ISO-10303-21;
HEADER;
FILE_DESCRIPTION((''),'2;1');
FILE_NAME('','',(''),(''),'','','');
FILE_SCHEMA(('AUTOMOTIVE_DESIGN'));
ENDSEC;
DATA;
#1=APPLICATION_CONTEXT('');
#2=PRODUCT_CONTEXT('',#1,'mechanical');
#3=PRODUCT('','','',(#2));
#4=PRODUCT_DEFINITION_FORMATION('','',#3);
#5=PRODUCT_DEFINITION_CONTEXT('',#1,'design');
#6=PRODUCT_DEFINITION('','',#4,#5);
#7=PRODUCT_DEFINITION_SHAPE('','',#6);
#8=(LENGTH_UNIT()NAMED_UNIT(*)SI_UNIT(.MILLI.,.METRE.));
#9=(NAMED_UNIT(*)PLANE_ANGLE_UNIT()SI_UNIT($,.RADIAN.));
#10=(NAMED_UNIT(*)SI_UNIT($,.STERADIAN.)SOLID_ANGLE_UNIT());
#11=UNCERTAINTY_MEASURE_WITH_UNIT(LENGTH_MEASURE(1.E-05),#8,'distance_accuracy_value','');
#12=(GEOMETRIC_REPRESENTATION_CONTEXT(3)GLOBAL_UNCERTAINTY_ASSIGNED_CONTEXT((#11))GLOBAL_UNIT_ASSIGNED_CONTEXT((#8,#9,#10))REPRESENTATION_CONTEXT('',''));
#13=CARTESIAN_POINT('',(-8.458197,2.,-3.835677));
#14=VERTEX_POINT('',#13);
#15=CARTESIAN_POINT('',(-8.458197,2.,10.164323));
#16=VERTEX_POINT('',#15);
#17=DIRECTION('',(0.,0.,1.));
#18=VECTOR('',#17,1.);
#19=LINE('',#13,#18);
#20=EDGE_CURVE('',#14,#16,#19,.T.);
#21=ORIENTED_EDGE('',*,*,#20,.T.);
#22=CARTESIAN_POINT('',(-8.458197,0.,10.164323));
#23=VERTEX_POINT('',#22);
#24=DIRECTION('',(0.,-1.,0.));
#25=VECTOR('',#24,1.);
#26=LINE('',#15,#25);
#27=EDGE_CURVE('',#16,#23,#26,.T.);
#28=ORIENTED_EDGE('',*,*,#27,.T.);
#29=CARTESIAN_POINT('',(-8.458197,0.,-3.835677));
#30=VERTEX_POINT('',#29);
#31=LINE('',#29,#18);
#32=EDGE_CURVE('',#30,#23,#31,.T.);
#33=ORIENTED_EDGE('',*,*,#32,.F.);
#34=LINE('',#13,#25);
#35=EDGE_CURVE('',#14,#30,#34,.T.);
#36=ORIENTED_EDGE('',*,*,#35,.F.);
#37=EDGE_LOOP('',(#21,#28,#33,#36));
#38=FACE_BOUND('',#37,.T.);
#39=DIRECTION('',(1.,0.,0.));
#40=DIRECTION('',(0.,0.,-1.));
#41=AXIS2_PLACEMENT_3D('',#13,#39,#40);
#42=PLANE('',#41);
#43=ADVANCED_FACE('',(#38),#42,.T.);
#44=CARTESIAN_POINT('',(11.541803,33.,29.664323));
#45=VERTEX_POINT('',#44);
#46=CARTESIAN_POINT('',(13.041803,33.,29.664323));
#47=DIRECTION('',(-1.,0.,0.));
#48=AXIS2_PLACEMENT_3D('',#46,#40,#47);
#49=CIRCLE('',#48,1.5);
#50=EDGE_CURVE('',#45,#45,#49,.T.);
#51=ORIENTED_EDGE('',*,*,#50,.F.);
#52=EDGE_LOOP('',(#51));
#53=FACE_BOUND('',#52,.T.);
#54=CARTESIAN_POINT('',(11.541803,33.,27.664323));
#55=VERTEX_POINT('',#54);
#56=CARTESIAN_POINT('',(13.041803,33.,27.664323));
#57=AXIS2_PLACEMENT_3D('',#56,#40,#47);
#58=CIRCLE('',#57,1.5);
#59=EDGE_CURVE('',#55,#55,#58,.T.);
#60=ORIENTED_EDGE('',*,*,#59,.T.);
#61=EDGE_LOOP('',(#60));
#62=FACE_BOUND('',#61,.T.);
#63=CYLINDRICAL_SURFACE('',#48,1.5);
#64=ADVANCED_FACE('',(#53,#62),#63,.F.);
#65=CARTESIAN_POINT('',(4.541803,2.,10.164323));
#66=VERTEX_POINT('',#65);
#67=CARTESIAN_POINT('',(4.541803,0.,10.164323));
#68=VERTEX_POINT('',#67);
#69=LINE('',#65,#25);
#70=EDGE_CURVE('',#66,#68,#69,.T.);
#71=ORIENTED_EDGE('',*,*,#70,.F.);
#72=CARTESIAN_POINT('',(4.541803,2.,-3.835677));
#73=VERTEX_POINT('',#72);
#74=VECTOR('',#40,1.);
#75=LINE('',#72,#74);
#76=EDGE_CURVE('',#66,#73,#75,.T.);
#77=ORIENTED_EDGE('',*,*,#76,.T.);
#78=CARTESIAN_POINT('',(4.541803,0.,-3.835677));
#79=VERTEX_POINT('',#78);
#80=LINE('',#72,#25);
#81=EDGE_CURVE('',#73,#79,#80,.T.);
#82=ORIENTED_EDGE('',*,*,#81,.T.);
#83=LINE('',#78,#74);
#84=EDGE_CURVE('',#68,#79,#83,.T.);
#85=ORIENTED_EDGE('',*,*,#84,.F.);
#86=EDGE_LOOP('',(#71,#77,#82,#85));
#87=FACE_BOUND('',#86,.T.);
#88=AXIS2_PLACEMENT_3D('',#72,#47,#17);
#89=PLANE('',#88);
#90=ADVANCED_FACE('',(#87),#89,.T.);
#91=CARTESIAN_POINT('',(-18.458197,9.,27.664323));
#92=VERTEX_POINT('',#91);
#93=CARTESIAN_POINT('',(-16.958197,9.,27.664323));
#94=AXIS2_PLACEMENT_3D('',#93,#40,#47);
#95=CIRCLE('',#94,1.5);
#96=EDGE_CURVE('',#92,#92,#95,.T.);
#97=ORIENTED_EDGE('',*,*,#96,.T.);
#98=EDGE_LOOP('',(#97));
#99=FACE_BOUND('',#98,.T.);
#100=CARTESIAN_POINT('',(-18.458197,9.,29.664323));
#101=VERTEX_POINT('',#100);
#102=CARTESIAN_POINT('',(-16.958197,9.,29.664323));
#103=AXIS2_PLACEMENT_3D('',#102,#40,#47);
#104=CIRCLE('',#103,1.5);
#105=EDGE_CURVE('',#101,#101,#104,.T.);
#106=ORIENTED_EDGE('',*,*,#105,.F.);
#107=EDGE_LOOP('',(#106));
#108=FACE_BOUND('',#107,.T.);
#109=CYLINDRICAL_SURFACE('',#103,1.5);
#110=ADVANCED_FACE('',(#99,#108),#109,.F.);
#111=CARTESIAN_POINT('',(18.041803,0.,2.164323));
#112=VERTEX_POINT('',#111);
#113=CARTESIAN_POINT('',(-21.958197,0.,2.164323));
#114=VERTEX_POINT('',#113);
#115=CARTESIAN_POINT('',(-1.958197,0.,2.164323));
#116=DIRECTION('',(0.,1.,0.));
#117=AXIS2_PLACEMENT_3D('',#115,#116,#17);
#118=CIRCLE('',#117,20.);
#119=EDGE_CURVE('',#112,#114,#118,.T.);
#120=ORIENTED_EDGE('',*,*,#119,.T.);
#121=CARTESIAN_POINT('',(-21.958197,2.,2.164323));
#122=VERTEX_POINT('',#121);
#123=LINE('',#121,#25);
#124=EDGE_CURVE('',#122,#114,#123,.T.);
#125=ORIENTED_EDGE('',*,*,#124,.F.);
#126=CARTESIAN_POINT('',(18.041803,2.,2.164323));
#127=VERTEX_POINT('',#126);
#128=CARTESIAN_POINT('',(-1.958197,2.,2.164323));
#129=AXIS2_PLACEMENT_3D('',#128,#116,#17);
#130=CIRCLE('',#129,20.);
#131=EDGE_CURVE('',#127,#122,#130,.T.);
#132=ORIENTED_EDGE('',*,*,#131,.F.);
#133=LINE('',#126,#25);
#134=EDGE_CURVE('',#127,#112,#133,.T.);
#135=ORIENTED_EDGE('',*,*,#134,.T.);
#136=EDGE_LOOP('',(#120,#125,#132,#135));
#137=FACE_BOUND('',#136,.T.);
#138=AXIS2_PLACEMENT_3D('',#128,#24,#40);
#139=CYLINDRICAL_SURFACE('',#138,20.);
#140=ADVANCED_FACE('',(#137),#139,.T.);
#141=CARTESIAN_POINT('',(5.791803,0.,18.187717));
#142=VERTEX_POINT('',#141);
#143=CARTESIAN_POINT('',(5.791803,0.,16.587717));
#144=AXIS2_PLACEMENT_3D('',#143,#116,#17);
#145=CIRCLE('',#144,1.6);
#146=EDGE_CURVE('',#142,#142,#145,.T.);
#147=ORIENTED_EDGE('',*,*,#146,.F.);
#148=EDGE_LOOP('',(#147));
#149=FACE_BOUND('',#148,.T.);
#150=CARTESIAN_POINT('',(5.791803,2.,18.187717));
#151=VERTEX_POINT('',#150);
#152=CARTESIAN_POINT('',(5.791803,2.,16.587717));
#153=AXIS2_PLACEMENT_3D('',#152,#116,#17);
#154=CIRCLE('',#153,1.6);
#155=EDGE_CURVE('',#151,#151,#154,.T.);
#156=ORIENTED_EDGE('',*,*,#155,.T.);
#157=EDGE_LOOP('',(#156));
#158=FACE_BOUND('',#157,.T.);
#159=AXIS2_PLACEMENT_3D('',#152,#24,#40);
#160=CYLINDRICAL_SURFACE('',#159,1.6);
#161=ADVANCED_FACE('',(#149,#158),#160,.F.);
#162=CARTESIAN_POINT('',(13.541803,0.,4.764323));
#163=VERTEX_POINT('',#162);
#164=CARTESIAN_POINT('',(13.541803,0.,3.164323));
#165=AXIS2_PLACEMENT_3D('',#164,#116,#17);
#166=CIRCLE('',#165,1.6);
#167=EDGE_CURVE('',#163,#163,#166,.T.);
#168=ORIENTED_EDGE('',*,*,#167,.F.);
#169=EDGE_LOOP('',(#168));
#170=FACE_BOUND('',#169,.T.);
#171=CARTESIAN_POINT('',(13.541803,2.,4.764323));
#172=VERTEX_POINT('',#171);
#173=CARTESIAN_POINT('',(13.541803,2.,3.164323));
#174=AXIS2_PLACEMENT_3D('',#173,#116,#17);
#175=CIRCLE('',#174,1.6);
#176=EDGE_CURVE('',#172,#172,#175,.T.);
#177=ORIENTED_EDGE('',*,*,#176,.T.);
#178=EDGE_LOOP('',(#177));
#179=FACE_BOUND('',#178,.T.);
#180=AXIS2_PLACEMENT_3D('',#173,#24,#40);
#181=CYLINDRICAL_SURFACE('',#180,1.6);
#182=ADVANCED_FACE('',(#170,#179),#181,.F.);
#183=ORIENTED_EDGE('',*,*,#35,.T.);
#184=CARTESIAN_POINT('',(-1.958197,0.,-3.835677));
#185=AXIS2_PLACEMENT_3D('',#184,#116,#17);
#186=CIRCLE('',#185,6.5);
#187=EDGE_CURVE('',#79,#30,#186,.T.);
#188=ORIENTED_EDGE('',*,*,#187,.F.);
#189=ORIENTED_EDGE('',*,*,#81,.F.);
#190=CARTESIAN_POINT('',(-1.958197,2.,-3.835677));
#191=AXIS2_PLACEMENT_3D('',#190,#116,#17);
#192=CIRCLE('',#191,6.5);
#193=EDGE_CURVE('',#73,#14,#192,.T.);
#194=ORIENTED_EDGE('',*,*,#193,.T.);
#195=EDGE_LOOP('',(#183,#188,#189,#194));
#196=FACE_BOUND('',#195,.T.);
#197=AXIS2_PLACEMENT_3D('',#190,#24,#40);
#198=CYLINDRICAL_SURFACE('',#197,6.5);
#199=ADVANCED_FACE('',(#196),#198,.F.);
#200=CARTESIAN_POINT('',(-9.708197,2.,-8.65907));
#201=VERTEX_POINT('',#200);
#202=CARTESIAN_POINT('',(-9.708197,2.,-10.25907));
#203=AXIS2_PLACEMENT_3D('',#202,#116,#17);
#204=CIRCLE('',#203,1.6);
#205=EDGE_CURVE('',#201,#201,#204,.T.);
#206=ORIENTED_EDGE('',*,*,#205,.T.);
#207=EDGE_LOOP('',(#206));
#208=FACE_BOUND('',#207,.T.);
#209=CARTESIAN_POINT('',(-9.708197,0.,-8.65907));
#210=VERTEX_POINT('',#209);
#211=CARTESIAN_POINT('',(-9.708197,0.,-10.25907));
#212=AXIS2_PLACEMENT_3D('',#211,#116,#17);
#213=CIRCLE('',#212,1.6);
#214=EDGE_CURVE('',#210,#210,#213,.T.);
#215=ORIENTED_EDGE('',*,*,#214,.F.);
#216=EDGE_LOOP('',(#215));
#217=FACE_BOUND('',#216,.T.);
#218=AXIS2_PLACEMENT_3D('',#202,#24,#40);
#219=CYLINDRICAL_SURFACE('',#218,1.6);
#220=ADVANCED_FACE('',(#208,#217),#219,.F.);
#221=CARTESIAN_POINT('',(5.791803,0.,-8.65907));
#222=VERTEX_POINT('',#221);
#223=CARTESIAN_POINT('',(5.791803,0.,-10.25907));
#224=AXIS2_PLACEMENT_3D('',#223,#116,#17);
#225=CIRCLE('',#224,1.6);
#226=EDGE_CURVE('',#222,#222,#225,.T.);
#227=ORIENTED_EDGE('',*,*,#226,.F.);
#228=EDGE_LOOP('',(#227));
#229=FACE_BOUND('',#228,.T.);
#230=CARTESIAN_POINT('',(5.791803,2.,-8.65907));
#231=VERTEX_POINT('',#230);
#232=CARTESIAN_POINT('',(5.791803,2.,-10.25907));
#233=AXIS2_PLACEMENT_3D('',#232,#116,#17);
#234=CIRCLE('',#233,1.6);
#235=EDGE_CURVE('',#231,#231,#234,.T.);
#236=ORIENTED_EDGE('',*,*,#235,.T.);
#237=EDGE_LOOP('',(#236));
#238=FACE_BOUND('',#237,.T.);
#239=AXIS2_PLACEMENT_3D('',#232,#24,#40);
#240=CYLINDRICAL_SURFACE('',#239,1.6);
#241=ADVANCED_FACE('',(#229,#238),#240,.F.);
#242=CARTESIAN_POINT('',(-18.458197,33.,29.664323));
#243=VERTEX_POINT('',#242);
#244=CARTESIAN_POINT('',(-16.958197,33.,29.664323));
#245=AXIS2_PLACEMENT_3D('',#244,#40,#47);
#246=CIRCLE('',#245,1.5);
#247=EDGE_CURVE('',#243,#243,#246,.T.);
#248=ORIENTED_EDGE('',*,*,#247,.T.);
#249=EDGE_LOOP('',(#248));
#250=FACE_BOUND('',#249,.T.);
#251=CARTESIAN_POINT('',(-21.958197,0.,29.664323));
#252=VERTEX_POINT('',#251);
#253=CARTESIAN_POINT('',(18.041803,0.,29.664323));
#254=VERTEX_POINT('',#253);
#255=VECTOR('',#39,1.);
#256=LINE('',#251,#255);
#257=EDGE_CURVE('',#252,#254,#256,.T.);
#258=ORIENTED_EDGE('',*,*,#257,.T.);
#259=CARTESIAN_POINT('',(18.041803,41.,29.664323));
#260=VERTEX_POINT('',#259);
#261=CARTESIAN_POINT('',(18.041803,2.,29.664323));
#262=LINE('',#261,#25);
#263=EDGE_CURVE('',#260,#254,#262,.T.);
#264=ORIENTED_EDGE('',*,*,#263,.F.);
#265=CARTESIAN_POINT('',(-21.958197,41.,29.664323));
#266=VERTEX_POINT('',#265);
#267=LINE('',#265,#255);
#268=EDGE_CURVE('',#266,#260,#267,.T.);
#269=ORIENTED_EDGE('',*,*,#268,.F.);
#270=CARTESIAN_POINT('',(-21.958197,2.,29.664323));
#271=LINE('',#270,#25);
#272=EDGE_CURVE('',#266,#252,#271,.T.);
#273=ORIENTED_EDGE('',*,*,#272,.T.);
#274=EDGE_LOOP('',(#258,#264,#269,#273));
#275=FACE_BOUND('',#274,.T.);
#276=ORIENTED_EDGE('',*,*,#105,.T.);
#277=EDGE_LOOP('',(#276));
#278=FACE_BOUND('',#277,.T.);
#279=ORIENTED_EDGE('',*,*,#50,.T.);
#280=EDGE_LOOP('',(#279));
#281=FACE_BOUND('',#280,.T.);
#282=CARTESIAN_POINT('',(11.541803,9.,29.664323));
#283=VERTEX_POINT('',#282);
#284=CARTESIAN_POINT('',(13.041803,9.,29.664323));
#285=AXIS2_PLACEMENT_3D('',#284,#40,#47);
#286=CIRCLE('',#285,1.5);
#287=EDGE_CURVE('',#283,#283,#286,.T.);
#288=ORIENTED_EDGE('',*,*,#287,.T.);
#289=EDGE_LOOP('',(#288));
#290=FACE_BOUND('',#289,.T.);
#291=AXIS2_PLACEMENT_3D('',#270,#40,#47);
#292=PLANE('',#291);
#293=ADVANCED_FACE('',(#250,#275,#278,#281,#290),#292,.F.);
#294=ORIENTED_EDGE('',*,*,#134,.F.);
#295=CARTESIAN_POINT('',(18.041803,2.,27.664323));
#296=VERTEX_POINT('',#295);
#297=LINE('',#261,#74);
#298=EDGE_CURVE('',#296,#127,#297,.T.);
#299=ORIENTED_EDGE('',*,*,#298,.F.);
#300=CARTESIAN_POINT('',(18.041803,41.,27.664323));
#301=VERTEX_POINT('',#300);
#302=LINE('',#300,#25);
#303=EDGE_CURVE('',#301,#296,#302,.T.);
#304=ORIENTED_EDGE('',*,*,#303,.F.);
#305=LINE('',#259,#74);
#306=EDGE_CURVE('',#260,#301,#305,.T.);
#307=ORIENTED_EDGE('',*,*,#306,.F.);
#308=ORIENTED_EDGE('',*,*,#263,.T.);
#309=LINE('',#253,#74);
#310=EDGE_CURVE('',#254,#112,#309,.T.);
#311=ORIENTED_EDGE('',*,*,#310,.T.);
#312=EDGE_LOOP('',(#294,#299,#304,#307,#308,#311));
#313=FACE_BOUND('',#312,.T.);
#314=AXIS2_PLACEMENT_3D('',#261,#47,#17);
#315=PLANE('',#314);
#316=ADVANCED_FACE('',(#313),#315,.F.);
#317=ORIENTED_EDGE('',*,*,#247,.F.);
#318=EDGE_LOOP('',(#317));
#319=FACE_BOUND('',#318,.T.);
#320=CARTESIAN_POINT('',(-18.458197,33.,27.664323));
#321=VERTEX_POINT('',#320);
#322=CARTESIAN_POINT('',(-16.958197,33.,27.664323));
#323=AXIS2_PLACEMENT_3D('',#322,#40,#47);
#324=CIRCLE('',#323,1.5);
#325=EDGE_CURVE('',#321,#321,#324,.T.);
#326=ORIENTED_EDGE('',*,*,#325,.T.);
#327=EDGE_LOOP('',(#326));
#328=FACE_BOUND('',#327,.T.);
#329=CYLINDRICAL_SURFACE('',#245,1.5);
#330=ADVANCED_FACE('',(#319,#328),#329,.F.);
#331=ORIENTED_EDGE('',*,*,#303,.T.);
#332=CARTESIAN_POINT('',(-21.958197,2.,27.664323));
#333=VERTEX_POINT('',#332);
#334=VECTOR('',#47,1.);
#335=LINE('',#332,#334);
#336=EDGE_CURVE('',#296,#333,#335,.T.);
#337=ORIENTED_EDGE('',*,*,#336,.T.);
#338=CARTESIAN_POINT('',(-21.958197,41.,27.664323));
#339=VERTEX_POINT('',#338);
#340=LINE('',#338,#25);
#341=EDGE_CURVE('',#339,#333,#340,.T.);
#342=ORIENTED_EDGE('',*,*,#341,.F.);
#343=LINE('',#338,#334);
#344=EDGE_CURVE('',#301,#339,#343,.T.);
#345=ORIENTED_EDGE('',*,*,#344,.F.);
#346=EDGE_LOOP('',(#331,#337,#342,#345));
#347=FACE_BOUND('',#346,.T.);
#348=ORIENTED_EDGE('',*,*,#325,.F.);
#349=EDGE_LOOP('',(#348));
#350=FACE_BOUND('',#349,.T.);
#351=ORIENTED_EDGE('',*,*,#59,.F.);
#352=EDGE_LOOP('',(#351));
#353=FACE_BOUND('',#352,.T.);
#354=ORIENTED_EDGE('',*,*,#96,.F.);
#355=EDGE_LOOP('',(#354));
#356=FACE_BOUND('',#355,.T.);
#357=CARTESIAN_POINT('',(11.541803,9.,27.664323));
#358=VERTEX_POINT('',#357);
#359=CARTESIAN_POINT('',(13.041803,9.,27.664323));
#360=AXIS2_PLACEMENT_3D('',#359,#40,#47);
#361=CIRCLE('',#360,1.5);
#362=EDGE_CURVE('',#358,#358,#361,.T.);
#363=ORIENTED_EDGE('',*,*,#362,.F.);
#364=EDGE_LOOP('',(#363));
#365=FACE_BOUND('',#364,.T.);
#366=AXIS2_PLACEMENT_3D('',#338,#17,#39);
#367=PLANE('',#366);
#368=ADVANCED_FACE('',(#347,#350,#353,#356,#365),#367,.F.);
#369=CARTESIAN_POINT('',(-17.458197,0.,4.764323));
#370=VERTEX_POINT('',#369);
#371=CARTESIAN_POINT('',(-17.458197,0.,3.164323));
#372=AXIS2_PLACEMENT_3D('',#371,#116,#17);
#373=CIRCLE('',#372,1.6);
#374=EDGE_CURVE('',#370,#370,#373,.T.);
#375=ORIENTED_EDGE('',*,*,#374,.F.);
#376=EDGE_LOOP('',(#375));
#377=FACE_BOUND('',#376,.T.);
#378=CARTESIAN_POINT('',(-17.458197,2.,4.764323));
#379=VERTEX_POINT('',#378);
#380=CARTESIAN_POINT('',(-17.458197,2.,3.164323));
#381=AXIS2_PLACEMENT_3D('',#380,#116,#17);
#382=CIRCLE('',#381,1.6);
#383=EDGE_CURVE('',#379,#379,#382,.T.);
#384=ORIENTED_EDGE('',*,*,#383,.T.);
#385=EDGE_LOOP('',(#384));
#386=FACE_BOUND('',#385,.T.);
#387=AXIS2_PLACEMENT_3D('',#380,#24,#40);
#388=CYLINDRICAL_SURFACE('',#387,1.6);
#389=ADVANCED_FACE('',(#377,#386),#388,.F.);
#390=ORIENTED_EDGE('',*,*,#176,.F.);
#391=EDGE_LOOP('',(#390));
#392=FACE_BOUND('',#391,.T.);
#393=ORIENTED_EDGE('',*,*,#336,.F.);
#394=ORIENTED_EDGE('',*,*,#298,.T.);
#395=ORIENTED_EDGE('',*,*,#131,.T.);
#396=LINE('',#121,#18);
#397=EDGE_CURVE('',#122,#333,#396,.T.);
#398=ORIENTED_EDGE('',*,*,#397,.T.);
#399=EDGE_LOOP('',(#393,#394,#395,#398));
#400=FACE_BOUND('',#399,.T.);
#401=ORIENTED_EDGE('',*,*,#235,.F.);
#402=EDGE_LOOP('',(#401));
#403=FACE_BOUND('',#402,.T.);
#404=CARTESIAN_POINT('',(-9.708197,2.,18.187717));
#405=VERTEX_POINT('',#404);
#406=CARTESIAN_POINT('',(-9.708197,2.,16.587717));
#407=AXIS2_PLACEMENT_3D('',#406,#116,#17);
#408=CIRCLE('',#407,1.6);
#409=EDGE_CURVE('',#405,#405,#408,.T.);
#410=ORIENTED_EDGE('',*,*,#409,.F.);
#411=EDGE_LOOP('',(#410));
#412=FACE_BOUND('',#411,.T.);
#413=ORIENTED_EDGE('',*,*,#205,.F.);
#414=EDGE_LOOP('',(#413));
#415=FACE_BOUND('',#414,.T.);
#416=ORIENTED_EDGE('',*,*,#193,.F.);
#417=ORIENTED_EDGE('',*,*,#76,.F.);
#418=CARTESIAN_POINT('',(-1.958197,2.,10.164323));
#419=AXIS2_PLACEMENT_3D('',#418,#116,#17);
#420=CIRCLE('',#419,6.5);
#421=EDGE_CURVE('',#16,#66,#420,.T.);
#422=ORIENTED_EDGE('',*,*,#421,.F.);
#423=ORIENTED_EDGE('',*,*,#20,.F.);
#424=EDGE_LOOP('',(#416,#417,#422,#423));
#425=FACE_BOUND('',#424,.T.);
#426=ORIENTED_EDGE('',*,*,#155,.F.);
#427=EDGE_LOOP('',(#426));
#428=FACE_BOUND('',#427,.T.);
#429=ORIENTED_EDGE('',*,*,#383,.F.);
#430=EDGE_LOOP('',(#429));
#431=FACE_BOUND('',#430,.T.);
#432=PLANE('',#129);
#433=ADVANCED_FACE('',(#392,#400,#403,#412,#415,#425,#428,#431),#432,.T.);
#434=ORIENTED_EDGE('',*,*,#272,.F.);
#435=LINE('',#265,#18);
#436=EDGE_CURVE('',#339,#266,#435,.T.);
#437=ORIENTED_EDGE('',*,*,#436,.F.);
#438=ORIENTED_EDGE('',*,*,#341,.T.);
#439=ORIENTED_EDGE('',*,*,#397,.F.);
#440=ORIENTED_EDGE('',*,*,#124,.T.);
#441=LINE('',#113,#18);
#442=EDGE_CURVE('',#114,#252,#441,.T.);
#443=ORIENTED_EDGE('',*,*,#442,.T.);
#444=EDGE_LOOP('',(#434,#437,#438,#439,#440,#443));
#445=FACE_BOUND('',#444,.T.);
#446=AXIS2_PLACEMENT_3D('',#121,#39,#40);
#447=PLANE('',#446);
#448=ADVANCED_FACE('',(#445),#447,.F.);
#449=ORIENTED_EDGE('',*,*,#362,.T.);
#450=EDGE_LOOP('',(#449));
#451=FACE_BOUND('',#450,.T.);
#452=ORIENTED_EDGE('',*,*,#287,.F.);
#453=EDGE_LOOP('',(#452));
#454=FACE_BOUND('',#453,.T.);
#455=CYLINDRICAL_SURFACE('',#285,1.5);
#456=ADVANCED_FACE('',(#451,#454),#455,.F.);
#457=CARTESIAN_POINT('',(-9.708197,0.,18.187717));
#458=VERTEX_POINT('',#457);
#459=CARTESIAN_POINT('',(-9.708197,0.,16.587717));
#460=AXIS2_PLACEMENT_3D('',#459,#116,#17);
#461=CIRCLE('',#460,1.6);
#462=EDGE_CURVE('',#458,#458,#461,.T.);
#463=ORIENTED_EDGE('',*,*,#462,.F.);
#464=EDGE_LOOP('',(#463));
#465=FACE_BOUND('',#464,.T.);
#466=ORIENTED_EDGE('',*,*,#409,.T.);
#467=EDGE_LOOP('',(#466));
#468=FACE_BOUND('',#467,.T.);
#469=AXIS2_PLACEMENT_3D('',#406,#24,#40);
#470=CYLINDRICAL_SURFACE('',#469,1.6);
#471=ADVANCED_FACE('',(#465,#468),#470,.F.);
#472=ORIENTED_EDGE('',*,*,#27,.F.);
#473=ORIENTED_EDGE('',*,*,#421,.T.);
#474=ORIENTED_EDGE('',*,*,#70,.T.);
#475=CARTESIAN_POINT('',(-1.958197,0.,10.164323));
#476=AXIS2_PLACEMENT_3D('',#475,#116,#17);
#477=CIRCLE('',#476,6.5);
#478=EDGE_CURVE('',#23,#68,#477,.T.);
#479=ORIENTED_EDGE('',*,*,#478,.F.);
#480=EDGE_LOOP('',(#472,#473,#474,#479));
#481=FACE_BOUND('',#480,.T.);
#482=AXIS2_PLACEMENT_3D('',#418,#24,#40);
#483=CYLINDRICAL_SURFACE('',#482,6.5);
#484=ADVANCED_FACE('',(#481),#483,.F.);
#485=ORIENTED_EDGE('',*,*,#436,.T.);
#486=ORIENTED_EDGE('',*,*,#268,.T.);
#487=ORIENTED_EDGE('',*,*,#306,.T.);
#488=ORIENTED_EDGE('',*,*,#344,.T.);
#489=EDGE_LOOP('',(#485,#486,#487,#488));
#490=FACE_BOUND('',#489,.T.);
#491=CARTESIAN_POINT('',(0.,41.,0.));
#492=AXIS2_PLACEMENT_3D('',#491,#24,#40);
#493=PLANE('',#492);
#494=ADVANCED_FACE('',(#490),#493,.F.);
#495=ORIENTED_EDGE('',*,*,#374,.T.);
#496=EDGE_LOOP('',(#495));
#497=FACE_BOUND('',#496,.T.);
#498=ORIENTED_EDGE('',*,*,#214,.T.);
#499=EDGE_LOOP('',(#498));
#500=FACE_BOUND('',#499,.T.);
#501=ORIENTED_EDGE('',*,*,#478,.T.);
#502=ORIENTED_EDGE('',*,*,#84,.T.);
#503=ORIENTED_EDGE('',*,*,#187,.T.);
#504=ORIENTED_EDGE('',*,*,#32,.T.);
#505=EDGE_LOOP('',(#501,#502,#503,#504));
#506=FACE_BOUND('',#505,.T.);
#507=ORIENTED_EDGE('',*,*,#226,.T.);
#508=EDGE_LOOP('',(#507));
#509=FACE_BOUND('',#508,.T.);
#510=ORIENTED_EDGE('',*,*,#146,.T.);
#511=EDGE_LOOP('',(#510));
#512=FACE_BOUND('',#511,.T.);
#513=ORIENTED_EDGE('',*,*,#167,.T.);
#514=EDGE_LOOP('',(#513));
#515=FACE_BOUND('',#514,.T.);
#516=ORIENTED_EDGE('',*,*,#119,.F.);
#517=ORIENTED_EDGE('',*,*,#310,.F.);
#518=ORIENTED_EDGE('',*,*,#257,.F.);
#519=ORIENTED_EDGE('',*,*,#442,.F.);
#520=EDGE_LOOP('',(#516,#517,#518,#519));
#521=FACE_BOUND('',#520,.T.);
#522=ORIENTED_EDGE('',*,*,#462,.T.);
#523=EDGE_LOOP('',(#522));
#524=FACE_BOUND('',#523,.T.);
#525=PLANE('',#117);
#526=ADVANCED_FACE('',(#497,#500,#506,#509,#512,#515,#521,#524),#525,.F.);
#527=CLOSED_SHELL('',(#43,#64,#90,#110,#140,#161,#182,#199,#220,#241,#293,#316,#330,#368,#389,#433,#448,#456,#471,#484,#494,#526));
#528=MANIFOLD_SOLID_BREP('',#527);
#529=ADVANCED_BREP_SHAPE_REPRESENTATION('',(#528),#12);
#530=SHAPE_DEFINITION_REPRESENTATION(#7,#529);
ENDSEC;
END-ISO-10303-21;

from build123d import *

# Parameters (mm, degrees)
SKETCH_1_R          = 1.6
EXTRUDE_1_DEPTH     = 2
SKETCH_2_W          = 40
SKETCH_2_H          = 2
EXTRUDE_2_DEPTH     = 39
SKETCH_3_R          = 1.5
CUT_EXTRUDE_1_DEPTH = 66.064678839


with BuildPart() as part:
    # 草图1 → 凸台-拉伸1 (new body)
    with BuildSketch(Plane(origin=(0, 0, 0), x_dir=(1, 0, 0), z_dir=(0, 1, 0))):
        with BuildLine():
            Line((-21.958197384, -2.164323425), (-21.958197384, -29.664323425))
            Line((-21.958197384, -29.664323425), (18.041802616, -29.664323425))
            Line((18.041802616, -29.664323425), (18.041802616, -2.164323425))
            ThreePointArc((18.041802616, -2.164323425), (-1.958197384, 17.835676575), (-21.958197384, -2.164323425))
        make_face()
        with Locations(Location((-9.708197384, 10.259070334, 0), (0, 0, 270))):
            Circle(SKETCH_1_R, mode=Mode.SUBTRACT)
        with Locations(Location((-17.458197384, -3.164323425, 0), (0, 0, 270))):
            Circle(SKETCH_1_R, mode=Mode.SUBTRACT)
        with Locations(Location((-9.708197384, -16.587717183, 0), (0, 0, 270))):
            Circle(SKETCH_1_R, mode=Mode.SUBTRACT)
        with Locations(Location((5.791802616, -16.587717183, 0), (0, 0, 270))):
            Circle(SKETCH_1_R, mode=Mode.SUBTRACT)
        with Locations(Location((13.541802616, -3.164323425, 0), (0, 0, 270))):
            Circle(SKETCH_1_R, mode=Mode.SUBTRACT)
        with Locations(Location((5.791802616, 10.259070334, 0), (0, 0, 270))):
            Circle(SKETCH_1_R, mode=Mode.SUBTRACT)
        with BuildLine():
            Line((4.541802616, 3.835676575), (4.541802616, -10.164323425))
            ThreePointArc((4.541802616, -10.164323425), (-1.958197384, -16.664323425), (-8.458197384, -10.164323425))
            Line((-8.458197384, -10.164323425), (-8.458197384, 3.835676575))
            ThreePointArc((-8.458197384, 3.835676575), (-1.958197384, 10.335676575), (4.541802616, 3.835676575))
        make_face(mode=Mode.SUBTRACT)
    extrude(amount=EXTRUDE_1_DEPTH)

    # 草图2 → 凸台-拉伸2 (add)
    with BuildSketch(Plane(origin=(0, 2, 0), x_dir=(1, 0, 0), z_dir=(0, 1, 0))):
        with Locations((-1.958197384, -28.664323425)):
            Rectangle(SKETCH_2_W, SKETCH_2_H)
    extrude(amount=EXTRUDE_2_DEPTH)

    # 草图3 → 切除-拉伸1 (cut, through all)
    with BuildSketch(Plane(origin=(0, 0, 27.664323425), x_dir=(-1, 0, 0), z_dir=(0, 0, -1))):
        with Locations((-13.041802616, 33)):
            Circle(SKETCH_3_R)
        with Locations((-13.041802616, 9)):
            Circle(SKETCH_3_R)
        with Locations((16.958197384, 33)):
            Circle(SKETCH_3_R)
        with Locations((16.958197384, 9)):
            Circle(SKETCH_3_R)
    extrude(amount=-CUT_EXTRUDE_1_DEPTH, mode=Mode.SUBTRACT)


solid = part.part
